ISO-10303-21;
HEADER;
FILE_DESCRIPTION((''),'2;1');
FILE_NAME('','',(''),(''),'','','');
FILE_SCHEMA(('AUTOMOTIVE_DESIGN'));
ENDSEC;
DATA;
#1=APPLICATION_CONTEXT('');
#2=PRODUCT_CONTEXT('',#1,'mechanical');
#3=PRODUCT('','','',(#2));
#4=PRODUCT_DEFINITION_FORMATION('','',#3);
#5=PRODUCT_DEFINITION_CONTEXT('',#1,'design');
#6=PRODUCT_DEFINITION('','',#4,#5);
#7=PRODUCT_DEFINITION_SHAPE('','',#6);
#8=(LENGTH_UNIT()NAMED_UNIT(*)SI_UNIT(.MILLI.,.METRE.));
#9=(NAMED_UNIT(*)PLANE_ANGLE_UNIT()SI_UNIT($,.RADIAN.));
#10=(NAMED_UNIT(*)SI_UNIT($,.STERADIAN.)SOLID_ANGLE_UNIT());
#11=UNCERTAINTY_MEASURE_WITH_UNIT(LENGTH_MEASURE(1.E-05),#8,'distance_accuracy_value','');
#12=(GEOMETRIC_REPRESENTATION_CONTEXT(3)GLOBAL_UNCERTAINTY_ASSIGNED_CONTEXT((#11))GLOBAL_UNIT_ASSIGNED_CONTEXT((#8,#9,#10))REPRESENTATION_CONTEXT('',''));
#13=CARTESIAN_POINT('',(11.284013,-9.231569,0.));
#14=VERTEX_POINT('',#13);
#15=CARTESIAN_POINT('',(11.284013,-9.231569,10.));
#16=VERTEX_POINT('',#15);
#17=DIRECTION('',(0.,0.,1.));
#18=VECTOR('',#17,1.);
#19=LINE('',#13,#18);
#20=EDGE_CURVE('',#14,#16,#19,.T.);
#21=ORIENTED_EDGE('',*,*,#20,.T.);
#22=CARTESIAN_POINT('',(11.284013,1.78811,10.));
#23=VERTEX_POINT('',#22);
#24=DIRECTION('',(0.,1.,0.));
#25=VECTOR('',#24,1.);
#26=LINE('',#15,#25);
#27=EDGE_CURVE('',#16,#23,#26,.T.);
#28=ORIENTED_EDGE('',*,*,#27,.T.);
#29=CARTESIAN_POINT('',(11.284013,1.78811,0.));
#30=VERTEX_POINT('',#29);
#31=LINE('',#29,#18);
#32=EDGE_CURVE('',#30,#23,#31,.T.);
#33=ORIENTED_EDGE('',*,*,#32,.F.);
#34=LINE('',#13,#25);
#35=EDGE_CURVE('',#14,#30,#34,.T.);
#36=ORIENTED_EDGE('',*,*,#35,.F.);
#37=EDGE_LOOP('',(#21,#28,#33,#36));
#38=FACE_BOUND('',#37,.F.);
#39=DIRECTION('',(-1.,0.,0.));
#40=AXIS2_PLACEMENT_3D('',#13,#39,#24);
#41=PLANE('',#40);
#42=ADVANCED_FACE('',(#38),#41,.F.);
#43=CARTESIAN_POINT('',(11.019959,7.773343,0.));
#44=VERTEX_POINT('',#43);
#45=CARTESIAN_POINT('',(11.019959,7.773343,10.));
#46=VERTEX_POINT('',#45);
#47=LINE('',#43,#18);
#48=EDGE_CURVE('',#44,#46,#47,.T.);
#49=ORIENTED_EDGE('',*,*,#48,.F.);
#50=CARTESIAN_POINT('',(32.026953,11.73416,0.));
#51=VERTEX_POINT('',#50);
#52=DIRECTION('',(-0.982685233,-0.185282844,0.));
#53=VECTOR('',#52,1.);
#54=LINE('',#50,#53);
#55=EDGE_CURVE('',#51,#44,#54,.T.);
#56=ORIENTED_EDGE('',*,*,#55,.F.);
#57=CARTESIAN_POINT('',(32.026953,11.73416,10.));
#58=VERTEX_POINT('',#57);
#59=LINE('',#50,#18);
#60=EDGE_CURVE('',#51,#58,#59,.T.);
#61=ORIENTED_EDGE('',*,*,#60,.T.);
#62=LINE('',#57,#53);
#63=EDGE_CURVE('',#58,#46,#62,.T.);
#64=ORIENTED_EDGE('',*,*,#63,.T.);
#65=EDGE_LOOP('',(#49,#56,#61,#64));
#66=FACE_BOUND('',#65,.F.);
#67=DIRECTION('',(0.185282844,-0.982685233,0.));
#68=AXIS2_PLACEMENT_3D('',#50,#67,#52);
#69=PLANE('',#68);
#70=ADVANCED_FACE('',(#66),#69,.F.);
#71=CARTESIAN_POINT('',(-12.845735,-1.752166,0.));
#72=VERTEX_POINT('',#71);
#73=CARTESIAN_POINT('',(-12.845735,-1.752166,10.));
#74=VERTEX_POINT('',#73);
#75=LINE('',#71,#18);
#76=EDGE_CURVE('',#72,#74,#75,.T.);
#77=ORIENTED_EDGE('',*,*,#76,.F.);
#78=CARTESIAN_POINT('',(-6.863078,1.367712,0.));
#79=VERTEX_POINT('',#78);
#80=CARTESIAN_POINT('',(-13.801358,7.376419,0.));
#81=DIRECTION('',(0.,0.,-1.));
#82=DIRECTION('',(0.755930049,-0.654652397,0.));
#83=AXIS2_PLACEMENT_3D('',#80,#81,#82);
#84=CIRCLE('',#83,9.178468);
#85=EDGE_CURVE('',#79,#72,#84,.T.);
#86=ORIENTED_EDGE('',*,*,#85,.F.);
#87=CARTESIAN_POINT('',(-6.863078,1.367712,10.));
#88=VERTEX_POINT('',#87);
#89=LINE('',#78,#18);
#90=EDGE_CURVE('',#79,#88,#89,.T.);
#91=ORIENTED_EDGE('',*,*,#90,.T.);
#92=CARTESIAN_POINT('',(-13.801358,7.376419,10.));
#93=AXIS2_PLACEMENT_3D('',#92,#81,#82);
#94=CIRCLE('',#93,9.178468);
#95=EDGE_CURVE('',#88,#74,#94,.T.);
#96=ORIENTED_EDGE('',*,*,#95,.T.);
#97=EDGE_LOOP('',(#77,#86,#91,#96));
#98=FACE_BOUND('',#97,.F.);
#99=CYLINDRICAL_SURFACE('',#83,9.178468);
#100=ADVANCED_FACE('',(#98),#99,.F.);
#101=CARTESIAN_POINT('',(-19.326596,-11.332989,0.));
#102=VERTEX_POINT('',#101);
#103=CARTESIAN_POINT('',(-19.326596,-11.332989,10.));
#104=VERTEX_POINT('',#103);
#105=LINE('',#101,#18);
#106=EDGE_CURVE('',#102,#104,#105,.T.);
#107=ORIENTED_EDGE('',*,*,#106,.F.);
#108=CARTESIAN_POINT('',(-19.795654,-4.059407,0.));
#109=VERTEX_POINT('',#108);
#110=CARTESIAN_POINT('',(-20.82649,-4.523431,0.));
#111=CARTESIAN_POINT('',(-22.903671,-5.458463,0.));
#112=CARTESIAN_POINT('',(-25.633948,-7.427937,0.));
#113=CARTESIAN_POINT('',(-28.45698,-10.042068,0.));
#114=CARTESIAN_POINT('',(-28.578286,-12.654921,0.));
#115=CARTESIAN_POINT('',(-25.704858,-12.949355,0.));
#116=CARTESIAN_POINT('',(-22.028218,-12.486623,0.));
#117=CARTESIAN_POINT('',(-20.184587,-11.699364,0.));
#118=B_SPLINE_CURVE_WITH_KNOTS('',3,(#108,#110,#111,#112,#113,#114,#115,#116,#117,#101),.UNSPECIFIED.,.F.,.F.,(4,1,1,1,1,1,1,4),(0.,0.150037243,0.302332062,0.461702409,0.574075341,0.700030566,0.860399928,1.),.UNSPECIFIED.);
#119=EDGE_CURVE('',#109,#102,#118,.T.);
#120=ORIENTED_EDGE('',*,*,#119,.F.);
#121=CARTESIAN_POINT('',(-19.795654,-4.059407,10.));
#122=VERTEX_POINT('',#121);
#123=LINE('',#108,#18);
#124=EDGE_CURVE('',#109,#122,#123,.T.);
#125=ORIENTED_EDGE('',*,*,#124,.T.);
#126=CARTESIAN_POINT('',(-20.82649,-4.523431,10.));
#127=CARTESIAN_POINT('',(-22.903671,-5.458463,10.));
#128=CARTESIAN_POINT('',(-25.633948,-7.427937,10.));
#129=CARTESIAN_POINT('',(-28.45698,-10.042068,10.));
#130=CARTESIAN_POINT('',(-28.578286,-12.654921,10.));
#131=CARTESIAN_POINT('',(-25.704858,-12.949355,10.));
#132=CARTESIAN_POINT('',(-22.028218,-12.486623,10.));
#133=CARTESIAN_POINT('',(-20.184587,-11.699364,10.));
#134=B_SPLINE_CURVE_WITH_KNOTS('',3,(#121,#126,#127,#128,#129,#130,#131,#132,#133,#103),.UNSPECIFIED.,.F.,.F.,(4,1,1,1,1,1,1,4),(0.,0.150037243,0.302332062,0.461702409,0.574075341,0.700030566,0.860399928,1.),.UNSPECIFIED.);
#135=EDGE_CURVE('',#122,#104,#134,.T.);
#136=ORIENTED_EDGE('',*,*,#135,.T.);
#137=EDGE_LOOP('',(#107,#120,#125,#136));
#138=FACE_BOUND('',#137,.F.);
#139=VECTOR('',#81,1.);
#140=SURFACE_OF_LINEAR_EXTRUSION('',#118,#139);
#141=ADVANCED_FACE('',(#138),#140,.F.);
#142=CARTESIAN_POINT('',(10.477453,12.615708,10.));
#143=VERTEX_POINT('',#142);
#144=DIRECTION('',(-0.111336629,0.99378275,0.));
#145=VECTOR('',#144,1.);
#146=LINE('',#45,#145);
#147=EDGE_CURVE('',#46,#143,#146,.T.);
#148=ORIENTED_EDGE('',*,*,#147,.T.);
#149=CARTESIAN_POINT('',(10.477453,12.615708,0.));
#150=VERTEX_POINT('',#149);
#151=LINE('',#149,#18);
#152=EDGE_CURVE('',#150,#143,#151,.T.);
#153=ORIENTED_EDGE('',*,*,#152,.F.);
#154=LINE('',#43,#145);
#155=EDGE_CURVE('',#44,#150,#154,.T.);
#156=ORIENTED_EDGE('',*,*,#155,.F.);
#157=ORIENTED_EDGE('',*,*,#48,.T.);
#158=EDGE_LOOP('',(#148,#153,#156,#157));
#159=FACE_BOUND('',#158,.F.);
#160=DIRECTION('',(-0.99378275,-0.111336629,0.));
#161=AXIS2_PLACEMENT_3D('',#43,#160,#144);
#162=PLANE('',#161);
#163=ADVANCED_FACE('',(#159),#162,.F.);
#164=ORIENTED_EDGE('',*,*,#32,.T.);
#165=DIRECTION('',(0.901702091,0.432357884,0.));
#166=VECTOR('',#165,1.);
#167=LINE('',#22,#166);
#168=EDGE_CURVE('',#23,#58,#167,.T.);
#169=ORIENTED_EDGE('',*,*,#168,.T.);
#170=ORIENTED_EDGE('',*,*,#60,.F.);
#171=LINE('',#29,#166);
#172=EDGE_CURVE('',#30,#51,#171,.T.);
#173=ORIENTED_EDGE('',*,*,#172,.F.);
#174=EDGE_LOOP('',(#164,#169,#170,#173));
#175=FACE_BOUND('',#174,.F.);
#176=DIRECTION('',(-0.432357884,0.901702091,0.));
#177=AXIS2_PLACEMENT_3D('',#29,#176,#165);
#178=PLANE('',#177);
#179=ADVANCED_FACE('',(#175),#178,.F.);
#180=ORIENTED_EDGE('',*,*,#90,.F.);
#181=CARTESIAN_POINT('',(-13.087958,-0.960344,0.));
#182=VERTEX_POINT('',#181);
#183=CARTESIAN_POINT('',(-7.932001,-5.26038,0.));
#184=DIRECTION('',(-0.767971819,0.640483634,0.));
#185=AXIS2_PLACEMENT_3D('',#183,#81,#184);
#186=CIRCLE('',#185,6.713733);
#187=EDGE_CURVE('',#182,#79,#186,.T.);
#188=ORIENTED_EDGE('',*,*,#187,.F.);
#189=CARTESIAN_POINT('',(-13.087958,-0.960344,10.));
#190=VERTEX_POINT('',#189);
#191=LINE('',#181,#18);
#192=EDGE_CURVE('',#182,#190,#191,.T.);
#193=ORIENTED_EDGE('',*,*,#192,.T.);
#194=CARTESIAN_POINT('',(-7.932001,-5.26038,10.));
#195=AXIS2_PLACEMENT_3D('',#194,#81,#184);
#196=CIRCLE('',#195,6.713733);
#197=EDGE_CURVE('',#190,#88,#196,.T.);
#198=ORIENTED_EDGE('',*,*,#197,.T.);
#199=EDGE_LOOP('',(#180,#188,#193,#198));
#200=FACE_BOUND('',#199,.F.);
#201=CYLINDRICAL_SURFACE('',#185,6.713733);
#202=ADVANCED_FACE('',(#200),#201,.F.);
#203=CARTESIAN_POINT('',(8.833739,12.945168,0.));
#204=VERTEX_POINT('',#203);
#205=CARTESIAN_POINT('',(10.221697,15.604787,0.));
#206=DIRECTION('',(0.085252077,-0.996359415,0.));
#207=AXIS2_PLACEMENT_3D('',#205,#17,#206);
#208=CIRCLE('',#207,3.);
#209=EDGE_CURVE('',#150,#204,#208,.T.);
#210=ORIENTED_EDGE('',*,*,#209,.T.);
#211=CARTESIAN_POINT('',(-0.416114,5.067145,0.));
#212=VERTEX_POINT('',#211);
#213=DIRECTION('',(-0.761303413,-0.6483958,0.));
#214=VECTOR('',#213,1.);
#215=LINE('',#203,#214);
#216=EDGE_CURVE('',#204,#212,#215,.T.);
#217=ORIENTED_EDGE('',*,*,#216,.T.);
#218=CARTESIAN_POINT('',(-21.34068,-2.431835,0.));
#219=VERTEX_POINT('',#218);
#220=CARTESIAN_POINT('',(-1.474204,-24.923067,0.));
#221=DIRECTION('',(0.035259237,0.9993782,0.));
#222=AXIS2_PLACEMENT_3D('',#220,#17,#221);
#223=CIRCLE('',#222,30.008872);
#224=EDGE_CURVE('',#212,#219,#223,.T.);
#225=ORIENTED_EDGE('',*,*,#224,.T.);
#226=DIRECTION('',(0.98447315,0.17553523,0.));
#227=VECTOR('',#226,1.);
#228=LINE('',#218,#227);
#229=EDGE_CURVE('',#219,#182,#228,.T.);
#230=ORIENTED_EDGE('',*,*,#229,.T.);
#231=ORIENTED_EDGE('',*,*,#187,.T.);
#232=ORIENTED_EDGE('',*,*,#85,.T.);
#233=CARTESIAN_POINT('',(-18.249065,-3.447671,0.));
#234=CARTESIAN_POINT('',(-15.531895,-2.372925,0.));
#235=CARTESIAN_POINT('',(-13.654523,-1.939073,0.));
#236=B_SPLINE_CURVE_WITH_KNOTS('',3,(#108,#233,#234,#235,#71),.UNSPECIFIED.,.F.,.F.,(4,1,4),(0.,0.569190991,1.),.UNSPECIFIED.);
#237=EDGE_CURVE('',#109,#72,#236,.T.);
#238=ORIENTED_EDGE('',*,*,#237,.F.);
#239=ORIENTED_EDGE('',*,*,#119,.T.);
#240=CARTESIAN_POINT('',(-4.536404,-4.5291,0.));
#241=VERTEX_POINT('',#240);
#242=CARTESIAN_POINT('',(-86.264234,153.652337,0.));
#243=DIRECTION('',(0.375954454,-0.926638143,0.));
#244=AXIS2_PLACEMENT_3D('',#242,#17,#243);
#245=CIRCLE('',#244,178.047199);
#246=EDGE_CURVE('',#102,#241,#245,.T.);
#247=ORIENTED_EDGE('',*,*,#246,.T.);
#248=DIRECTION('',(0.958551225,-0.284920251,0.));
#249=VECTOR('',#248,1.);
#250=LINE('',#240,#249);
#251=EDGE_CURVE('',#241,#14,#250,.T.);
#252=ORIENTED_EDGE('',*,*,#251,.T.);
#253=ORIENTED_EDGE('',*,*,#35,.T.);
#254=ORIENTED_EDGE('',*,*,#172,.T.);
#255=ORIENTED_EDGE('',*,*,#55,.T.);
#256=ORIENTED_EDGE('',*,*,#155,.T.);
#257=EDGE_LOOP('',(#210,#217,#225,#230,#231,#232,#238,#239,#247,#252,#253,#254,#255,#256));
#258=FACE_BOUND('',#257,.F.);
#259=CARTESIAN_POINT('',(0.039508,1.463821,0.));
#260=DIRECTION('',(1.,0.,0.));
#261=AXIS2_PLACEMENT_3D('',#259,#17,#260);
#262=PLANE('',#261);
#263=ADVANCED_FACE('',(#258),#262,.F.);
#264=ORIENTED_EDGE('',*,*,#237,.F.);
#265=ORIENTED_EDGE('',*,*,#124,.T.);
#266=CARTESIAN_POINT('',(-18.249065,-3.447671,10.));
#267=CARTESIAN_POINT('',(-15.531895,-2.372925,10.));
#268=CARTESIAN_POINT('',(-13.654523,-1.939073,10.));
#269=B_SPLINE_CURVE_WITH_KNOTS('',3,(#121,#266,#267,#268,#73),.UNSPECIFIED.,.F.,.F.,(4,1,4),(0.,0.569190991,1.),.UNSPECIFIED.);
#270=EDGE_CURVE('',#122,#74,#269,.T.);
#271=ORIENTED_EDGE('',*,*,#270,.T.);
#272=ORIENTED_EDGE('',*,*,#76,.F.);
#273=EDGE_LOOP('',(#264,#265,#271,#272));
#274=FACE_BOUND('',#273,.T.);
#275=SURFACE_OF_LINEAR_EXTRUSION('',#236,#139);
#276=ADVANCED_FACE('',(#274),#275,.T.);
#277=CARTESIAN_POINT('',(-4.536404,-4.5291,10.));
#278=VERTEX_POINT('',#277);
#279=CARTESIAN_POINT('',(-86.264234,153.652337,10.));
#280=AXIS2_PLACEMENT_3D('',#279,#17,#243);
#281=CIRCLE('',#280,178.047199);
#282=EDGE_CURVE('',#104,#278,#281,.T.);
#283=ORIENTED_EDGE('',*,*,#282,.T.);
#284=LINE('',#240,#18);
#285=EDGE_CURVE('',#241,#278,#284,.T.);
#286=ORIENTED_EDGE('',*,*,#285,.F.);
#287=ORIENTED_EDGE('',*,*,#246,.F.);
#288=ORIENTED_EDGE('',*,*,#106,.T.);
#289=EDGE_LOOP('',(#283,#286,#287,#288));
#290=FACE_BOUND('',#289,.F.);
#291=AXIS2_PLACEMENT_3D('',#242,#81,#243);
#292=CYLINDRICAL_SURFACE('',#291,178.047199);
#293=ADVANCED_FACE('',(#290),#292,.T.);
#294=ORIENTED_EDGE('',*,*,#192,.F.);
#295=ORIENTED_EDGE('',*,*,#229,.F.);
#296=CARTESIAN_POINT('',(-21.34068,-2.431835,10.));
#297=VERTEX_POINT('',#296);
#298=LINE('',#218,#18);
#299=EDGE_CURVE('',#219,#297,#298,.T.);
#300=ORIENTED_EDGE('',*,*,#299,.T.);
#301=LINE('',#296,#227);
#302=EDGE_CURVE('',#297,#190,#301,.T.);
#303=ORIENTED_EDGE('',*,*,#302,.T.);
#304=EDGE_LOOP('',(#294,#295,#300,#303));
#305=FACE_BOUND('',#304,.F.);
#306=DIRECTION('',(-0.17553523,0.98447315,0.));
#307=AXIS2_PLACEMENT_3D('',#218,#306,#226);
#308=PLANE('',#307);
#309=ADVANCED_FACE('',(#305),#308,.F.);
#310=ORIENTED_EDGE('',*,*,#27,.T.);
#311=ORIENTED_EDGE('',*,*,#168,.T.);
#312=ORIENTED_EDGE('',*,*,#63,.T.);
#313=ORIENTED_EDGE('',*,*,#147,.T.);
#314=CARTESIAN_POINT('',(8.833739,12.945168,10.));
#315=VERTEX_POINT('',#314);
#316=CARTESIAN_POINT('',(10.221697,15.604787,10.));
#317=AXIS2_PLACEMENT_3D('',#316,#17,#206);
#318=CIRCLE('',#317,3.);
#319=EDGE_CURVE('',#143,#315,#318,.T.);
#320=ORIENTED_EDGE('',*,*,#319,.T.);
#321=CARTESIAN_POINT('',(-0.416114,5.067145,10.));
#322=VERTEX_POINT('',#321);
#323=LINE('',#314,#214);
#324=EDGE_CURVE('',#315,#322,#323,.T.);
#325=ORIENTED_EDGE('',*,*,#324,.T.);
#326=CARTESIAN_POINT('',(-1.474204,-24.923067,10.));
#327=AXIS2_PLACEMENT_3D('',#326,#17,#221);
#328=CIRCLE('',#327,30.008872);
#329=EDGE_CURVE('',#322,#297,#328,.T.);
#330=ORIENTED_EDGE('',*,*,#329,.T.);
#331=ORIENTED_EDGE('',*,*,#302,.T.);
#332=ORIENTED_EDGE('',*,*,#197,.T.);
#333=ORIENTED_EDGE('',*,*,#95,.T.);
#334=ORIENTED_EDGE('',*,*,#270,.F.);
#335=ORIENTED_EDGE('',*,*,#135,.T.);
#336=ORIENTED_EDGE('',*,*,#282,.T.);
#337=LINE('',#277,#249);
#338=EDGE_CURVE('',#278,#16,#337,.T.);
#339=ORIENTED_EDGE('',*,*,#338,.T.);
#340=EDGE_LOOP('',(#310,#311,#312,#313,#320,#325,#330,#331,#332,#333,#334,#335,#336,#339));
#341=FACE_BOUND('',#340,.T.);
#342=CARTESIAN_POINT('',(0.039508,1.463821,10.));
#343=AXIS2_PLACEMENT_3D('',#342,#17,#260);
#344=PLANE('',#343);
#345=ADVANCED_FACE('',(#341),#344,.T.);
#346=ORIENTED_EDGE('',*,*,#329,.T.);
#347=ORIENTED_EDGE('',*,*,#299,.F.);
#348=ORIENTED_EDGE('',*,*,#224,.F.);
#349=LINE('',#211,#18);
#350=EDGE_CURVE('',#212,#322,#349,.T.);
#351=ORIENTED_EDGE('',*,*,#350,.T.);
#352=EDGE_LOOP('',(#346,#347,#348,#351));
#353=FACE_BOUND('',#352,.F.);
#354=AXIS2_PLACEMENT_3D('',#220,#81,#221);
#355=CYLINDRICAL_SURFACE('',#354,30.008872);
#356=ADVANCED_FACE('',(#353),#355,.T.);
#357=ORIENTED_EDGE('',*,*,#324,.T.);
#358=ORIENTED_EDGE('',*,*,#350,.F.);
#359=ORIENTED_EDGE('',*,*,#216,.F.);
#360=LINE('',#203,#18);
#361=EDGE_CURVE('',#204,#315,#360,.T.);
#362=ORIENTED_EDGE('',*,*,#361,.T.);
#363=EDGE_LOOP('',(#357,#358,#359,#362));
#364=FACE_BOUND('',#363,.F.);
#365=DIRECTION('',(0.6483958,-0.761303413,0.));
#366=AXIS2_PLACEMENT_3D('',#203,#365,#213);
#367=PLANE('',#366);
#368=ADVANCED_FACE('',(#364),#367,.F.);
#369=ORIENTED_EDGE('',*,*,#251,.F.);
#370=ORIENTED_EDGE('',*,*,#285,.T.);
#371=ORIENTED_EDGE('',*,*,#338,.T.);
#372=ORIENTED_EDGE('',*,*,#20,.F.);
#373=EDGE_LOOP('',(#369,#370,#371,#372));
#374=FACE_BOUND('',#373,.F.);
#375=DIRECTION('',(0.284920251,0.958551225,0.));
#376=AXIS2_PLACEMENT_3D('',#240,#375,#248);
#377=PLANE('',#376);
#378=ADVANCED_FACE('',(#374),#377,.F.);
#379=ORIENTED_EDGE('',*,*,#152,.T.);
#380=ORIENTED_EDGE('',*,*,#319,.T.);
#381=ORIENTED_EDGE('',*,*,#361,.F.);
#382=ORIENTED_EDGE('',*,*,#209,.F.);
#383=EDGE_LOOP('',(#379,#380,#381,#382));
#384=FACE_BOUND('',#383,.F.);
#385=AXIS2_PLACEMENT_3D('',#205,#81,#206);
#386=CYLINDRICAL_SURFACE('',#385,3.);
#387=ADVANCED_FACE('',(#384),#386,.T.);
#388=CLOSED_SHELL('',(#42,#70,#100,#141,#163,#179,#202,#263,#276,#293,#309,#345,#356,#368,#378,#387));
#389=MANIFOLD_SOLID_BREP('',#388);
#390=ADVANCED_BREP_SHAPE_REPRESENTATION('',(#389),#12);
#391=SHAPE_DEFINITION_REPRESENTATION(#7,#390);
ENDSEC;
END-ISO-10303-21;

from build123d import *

# Parameters (mm, degrees)
F1_DEPTH = 10


with BuildPart() as f1:
    # F0 (on Top) → F1 (new body)
    with BuildSketch(Plane.XY):
        with BuildLine():
            Line((8.8337385535, 12.9451678731), (-0.4161137905, 5.067145372))
            ThreePointArc((-0.4161137905, 5.067145372), (-11.5983099014, 3.326443887), (-21.3406799482, -2.4318351435))
            Line((-21.3406799482, -2.4318351435), (-13.0879584157, -0.9603441519))
            ThreePointArc((-13.0879584157, -0.9603441519), (-10.2837926867, 1.027964876), (-6.8630778746, 1.3677124313))
            ThreePointArc((-6.8630778746, 1.3677124313), (-9.5573222754, -0.7619129683), (-12.8457345774, -1.7521663529))
            add(Edge.make_bspline(
                [(-19.7956541441, -4.0594065459), (-18.2490652293, -3.4476707022), (-15.5318948257, -2.3729245214), (-13.6545231909, -1.9390733473), (-12.8457345774, -1.7521663529)],
                knots=[0, 0, 0, 0, 0.569190991, 1, 1, 1, 1], degree=3))
            add(Edge.make_bspline(
                [(-19.7956541441, -4.0594065459), (-20.8264896323, -4.5234313812), (-22.9036713574, -5.4584631287), (-25.6339482959, -7.4279370192), (-28.4569804187, -10.0420679848), (-28.5782861368, -12.6549207604), (-25.7048581352, -12.9493547061), (-22.02821781, -12.4866230869), (-20.1845868464, -11.699364312), (-19.3265960439, -11.3329890442)],
                knots=[0, 0, 0, 0, 0.1500372426, 0.3023320617, 0.4617024088, 0.5740753409, 0.7000305657, 0.8603999278, 1, 1, 1, 1], degree=3))
            ThreePointArc((-19.3265960439, -11.3329890442), (-11.8536932877, -8.1001795826), (-4.5364039775, -4.5290999462))
            Line((-4.5364039775, -4.5290999462), (11.284012926, -9.2315686646))
            Line((11.284012926, -9.2315686646), (11.284012926, 1.7881100454))
            Line((11.284012926, 1.7881100454), (32.0269530877, 11.7341596461))
            Line((32.0269530877, 11.7341596461), (11.0199585953, 7.7733433617))
            Line((11.0199585953, 7.7733433617), (10.4774531109, 12.6157083387))
            ThreePointArc((10.4774531109, 12.6157083387), (10.8112783366, 18.5462817312), (8.8337385535, 12.9451678731))
        make_face()
    extrude(amount=F1_DEPTH)


solid = f1.part
